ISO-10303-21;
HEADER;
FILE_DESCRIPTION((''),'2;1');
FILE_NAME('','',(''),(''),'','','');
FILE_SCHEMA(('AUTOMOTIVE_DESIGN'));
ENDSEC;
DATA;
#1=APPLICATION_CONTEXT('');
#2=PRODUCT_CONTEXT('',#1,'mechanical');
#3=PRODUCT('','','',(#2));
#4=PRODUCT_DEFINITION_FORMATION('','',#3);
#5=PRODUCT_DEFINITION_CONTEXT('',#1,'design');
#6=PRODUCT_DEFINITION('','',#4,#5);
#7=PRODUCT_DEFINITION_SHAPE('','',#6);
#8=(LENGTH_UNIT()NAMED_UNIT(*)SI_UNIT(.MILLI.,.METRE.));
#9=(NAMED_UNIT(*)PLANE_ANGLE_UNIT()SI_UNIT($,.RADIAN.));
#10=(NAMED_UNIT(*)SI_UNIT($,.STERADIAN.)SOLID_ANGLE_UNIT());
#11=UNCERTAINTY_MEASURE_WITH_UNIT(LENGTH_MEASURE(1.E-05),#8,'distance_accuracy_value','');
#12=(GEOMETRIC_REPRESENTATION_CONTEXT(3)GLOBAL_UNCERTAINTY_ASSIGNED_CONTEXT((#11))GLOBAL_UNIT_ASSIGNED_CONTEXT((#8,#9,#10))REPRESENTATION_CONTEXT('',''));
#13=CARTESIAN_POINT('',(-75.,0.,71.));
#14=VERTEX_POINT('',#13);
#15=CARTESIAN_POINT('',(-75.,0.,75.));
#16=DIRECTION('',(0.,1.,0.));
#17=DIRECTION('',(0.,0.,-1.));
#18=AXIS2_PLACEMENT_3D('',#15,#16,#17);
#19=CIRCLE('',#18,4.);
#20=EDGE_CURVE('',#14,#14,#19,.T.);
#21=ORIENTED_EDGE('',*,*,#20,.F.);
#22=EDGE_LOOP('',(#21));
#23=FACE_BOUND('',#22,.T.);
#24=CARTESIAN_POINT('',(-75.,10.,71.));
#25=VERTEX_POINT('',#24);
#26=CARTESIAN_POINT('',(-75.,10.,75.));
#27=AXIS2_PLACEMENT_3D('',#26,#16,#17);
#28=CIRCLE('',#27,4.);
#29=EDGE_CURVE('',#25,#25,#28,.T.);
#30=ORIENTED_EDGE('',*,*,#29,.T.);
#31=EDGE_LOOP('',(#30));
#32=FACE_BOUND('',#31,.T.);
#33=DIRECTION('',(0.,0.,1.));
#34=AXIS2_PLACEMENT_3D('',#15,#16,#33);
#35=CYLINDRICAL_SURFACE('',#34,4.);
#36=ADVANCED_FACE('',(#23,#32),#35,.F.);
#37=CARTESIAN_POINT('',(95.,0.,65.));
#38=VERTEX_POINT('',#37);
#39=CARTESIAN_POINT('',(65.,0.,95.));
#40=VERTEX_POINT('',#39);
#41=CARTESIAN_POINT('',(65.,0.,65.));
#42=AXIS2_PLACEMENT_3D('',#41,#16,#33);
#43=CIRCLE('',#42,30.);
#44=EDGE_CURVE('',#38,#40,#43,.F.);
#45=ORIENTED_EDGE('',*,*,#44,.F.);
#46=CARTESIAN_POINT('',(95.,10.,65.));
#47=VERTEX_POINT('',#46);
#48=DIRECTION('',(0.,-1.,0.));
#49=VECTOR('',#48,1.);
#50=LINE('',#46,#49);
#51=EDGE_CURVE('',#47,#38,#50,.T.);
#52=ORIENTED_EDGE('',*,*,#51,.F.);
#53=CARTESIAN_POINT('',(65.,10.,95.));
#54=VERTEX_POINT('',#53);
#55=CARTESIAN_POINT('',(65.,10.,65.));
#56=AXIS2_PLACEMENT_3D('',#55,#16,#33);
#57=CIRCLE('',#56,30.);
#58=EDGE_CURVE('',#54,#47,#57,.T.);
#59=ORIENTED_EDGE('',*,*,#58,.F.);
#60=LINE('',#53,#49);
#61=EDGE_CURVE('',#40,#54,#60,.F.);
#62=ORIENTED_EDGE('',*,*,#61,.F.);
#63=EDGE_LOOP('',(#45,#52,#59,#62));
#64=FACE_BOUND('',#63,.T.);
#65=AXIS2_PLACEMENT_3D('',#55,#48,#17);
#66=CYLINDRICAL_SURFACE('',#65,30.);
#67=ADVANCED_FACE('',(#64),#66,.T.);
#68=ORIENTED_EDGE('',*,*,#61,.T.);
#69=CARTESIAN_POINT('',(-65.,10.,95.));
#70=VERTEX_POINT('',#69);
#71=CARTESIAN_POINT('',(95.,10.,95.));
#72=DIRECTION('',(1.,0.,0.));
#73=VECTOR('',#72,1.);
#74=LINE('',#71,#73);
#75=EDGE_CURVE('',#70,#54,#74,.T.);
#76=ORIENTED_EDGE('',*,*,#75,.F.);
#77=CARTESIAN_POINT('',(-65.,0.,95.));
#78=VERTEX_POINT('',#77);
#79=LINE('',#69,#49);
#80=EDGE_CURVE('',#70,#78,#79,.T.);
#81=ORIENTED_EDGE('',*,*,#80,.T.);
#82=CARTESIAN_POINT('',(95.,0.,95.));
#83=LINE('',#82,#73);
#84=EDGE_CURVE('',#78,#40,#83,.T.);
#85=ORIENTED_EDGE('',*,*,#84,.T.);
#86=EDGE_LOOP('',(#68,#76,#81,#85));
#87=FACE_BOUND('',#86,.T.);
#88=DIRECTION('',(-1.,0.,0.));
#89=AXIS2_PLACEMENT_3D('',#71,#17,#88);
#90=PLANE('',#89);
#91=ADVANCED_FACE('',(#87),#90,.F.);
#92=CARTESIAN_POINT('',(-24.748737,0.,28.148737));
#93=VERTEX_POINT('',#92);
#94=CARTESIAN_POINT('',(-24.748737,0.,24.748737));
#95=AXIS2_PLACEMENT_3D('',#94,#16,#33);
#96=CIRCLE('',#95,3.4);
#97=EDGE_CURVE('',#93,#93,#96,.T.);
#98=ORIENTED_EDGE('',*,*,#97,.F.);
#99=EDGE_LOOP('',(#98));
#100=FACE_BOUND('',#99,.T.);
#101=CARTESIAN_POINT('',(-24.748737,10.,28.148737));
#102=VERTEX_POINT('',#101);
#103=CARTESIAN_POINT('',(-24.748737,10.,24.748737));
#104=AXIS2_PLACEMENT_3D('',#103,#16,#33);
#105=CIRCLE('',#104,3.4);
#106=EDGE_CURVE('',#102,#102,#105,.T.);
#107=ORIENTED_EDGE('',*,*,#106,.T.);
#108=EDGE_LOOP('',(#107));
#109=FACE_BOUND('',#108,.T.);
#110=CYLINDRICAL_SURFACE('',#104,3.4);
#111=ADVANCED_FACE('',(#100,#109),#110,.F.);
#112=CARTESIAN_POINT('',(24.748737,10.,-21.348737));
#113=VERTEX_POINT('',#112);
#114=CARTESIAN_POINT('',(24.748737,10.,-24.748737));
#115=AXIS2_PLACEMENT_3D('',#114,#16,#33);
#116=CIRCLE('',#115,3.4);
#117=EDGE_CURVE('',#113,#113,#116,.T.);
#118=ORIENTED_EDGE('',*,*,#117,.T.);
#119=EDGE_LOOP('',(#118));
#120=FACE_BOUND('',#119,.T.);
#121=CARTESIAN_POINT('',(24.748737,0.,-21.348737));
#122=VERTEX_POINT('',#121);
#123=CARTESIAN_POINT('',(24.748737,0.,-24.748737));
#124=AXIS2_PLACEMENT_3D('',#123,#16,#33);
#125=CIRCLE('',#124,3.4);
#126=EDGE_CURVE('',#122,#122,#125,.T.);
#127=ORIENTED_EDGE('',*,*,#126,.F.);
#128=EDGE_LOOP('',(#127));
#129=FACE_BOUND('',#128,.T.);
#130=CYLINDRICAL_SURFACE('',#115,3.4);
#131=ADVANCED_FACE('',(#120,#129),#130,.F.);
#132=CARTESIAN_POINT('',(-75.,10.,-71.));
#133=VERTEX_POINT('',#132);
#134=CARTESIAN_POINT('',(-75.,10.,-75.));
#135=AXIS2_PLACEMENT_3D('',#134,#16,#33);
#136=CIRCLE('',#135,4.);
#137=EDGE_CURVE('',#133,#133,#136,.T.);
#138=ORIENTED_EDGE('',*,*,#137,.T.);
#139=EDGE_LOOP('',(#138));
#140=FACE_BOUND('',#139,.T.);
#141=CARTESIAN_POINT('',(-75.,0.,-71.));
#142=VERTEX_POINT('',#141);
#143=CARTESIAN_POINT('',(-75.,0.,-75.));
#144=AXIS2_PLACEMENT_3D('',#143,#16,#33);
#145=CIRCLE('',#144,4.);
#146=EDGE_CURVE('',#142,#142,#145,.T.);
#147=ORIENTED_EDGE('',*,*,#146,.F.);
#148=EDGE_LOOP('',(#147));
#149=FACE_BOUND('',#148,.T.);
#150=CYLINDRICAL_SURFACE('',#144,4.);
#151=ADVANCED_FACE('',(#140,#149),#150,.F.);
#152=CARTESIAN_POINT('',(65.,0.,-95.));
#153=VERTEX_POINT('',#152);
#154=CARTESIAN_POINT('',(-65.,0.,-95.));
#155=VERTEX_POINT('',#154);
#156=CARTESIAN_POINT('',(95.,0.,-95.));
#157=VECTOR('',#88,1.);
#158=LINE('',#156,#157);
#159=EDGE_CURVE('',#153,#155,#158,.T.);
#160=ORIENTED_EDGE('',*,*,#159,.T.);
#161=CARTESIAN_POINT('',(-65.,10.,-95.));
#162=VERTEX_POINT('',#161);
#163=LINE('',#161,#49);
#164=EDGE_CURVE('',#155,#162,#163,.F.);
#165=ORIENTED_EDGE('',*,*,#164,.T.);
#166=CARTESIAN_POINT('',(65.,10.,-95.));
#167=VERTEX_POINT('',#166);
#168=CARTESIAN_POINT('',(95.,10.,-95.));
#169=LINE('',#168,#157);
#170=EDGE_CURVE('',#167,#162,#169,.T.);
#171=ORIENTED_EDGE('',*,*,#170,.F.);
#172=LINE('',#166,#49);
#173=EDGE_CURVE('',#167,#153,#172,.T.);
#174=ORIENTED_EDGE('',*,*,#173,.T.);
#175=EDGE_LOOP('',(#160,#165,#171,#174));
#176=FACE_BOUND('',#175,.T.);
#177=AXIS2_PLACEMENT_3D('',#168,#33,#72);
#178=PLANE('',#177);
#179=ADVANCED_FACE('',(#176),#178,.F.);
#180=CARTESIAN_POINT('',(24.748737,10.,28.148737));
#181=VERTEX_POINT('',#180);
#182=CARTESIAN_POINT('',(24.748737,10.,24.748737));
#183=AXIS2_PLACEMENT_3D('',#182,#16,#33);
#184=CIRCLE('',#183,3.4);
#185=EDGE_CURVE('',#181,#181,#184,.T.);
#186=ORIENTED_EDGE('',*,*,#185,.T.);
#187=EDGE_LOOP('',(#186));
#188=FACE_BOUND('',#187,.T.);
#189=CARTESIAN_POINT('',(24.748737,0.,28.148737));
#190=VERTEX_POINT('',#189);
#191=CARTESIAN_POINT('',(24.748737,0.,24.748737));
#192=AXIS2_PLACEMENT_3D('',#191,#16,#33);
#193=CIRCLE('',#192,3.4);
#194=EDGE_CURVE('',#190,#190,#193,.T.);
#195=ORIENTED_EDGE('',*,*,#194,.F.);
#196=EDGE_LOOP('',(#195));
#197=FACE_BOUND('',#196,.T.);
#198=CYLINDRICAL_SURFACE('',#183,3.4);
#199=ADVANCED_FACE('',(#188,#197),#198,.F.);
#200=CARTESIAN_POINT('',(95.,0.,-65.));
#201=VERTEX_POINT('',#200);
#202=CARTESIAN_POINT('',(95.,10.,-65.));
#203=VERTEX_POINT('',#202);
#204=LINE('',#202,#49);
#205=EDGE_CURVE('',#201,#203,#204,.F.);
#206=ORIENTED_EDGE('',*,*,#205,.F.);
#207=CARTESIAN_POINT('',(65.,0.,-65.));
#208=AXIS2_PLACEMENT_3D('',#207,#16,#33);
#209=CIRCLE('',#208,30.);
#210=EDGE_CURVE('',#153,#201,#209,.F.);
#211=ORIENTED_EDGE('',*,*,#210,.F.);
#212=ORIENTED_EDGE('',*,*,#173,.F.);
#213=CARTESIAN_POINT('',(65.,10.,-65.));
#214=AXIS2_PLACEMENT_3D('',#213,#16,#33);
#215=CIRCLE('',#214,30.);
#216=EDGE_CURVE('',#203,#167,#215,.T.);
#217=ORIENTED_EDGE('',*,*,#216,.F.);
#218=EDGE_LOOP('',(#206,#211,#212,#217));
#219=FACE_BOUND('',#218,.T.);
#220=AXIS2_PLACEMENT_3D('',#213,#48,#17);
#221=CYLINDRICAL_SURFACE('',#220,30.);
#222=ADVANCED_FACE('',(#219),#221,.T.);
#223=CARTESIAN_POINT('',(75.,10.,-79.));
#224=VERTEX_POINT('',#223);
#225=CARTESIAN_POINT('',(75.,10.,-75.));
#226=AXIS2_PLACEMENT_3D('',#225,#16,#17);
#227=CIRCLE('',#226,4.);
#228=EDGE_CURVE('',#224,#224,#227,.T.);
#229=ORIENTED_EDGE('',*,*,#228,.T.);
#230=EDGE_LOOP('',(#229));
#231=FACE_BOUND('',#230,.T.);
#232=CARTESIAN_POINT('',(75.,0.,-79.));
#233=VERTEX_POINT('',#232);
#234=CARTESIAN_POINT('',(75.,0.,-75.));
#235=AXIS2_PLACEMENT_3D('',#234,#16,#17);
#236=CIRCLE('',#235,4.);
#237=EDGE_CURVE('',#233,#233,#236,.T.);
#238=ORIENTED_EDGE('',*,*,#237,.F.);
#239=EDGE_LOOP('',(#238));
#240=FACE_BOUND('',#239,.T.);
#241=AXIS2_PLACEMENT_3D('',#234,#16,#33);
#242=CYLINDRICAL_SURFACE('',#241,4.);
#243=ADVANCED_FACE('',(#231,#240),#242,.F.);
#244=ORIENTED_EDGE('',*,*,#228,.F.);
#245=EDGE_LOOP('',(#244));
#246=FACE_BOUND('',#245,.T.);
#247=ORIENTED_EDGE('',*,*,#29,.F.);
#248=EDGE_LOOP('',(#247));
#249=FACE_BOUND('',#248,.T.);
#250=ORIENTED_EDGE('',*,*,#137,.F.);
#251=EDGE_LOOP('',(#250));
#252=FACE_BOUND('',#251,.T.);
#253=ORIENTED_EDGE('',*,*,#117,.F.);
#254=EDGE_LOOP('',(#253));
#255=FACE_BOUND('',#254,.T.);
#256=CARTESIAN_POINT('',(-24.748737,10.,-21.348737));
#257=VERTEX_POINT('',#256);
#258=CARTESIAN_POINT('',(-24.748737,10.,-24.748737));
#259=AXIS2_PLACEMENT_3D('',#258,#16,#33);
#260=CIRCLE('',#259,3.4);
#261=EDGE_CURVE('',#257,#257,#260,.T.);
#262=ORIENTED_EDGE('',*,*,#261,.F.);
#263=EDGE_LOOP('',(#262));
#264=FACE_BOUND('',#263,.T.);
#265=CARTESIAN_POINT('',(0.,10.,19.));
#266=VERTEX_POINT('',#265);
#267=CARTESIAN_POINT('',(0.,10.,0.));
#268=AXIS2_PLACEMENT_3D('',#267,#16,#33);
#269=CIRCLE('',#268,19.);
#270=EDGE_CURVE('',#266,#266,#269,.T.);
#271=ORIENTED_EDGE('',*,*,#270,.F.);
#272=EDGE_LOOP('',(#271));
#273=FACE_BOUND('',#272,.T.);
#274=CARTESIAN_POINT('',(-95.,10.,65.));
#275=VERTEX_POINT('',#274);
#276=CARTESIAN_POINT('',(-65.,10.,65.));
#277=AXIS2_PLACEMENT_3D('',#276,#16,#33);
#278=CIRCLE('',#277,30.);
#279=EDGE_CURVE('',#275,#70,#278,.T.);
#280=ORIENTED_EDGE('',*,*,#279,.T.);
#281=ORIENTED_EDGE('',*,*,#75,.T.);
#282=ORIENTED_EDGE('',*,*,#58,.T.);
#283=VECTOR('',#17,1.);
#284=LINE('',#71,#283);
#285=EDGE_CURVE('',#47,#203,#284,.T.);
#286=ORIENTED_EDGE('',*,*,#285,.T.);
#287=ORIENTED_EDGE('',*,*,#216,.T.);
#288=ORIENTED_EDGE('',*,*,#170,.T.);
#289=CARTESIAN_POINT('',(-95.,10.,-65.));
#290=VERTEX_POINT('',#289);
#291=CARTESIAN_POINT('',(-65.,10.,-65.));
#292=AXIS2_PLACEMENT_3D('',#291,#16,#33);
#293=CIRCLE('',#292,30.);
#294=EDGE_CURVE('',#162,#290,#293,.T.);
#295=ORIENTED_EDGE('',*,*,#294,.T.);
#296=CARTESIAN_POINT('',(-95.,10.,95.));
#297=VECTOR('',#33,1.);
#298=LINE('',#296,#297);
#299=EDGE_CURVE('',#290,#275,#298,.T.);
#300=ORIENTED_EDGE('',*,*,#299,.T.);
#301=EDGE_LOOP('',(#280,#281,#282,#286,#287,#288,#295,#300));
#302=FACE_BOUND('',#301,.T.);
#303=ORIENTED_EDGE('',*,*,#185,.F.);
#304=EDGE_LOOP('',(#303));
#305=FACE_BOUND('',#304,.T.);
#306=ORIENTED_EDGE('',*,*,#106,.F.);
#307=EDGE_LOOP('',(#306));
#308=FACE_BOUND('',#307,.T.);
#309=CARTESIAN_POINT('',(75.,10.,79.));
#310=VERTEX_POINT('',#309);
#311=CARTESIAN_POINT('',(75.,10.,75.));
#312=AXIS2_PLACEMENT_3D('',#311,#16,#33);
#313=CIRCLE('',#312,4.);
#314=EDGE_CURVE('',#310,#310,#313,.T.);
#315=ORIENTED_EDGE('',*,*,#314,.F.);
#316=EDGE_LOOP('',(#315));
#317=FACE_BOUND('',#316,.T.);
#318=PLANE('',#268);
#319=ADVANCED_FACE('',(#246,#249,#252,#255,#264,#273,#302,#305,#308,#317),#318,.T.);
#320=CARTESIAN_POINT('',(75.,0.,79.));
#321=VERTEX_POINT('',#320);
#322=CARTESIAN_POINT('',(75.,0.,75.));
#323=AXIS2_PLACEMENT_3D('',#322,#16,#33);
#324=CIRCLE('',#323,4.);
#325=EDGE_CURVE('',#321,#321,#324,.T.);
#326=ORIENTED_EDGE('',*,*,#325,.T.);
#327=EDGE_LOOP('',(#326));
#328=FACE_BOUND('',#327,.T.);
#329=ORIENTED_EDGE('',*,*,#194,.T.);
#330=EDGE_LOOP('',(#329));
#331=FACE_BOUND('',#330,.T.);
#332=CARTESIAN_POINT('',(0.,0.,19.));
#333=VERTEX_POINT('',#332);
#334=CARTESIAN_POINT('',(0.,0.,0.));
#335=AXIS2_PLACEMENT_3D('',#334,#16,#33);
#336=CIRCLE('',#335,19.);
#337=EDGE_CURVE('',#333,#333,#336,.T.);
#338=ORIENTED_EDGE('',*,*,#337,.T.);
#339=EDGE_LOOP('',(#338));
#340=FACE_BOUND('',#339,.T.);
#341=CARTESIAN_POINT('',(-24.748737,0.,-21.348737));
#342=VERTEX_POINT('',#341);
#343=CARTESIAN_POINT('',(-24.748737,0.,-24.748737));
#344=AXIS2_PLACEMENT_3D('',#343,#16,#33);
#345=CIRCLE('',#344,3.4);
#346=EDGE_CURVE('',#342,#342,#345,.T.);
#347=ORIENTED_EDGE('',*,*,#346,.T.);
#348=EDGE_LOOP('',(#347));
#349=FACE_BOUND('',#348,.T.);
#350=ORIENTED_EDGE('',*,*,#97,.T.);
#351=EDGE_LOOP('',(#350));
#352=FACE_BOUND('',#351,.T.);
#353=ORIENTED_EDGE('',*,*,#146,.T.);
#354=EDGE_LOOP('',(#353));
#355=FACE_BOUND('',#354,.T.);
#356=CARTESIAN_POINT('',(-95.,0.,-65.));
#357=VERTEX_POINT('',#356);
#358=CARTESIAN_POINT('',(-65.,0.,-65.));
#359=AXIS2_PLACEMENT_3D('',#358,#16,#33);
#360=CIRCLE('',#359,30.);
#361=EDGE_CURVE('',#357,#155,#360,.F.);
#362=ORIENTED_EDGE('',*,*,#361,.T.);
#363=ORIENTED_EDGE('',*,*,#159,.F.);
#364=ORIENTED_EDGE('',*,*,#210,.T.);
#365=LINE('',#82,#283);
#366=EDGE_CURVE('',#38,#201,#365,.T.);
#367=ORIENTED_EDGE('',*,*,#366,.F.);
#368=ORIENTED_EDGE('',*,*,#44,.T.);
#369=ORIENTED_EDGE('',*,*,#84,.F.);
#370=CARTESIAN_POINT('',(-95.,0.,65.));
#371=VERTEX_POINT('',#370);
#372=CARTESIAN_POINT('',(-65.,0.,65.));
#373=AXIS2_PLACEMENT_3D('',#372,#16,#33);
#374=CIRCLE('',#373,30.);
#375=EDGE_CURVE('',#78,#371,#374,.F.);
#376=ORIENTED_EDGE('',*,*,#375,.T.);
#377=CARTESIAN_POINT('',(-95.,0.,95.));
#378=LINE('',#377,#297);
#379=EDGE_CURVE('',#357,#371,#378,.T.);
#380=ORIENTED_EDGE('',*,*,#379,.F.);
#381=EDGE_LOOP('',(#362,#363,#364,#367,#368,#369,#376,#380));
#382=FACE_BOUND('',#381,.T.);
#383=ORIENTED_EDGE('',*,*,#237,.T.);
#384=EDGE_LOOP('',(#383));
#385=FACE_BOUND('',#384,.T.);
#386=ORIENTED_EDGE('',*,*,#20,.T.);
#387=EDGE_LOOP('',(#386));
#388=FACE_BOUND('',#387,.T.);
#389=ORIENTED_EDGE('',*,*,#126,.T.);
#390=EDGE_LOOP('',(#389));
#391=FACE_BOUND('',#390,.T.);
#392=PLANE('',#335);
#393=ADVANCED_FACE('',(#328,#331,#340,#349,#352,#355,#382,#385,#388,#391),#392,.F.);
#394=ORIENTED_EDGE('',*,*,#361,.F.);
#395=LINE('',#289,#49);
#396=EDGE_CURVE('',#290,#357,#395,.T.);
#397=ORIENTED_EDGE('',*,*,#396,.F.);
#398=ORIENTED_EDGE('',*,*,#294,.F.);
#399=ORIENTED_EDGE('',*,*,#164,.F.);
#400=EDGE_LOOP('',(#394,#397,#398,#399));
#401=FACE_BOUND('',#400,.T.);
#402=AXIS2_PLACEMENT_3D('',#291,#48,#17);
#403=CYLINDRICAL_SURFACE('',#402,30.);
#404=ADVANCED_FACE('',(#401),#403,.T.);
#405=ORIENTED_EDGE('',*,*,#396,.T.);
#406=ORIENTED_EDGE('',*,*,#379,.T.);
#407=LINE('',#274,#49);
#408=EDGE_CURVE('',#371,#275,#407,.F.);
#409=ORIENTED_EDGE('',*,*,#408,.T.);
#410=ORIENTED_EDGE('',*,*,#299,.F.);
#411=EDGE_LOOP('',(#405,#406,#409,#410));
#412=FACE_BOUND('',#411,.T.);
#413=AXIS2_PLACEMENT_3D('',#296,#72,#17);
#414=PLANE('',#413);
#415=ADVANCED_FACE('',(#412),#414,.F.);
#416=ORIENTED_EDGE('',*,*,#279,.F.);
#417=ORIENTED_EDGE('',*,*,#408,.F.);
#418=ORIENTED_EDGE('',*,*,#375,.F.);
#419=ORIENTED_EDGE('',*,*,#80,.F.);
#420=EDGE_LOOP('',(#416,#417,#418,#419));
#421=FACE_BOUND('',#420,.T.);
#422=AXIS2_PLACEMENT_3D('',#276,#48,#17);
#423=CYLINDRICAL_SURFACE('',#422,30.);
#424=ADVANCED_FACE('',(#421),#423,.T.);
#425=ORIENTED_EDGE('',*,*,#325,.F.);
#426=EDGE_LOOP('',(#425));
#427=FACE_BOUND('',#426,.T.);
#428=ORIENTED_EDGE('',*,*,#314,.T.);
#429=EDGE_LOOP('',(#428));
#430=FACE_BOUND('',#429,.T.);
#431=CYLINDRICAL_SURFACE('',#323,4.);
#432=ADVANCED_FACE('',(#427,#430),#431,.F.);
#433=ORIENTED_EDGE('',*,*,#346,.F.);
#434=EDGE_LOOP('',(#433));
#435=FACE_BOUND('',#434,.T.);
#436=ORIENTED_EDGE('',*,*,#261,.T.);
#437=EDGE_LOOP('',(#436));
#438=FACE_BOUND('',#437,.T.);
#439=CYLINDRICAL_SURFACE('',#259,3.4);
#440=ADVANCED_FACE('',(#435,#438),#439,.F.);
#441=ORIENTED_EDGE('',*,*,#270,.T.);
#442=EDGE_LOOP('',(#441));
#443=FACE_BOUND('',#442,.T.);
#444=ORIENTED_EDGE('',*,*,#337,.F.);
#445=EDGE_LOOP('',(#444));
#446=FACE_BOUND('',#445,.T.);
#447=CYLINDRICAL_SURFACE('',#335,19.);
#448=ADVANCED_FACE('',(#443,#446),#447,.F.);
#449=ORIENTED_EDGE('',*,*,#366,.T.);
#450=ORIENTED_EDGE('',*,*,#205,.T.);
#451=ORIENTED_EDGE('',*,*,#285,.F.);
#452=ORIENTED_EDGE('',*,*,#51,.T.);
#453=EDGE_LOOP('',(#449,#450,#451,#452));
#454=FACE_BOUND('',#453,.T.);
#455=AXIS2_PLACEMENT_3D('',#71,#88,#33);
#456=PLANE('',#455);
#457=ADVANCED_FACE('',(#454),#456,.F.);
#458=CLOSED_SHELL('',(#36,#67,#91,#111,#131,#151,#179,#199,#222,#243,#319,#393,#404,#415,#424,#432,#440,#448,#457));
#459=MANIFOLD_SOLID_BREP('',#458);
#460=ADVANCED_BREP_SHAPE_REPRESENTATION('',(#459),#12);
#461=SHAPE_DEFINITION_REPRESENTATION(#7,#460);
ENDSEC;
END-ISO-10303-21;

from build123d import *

# Parameters (mm, degrees)
SKETCH2_W             = 190
SKETCH2_H             = 190
EXTRUDE1_DEPTH        = 10
SKETCH3_R             = 19
SKETCH3_R_2           = 4
EXTRUDE2_DEPTH        = 10
FILLET1_R             = 30
M8_TAPPED_HOLE1_D     = 6.8
M8_TAPPED_HOLE1_DEPTH = 19.75
M8_TAPPED_HOLE1_TIP   = 2.042926105


with BuildPart() as part:
    # Sketch2 → Extrude1 (new body)
    with BuildSketch(Plane(origin=(0, 0, 0), x_dir=(1, 0, 0), z_dir=(0, 1, 0))):
        Rectangle(SKETCH2_W, SKETCH2_H)
    extrude(amount=EXTRUDE1_DEPTH)

    # Sketch3 → Extrude2 (cut)
    with BuildSketch(Plane(origin=(0, 10, 0), x_dir=(1, 0, 0), z_dir=(0, 1, 0))):
        with Locations(Location((0, 0, 0), (0, 0, 270))):
            Circle(SKETCH3_R)
        with Locations(Location((-75, 75, 0), (0, 0, 270))):
            Circle(SKETCH3_R_2)
        with Locations(Location((75, 75, 0), (0, 0, 90))):
            Circle(SKETCH3_R_2)
        with Locations(Location((75, -75, 0), (0, 0, 270))):
            Circle(SKETCH3_R_2)
        with Locations(Location((-75, -75, 0), (0, 0, 90))):
            Circle(SKETCH3_R_2)
    extrude(amount=-EXTRUDE2_DEPTH, mode=Mode.SUBTRACT)

    # Fillet1
    fillet1_edges = [part.edges().sort_by_distance(p)[0] for p in [
        (-95, 5, -95),
        (95, 5, -95),
        (95, 5, 95),
        (-95, 5, 95),
    ]]
    fillet(fillet1_edges, radius=FILLET1_R)

    # M8 Tapped Hole1
    with Locations(Plane(origin=(-24.748737342, 10, -24.748737342), x_dir=(0, 0, 1), z_dir=(0, 1, 0))):
        with Locations((0, 0), (0, 49.497474684), (49.497474684, 0), (49.497474684, 49.497474684)):
            Hole(M8_TAPPED_HOLE1_D / 2, depth=M8_TAPPED_HOLE1_DEPTH)
            with Locations((0, 0, -(M8_TAPPED_HOLE1_DEPTH + M8_TAPPED_HOLE1_TIP / 2))):  # 118° drill point
                Cone(0, M8_TAPPED_HOLE1_D / 2, M8_TAPPED_HOLE1_TIP, mode=Mode.SUBTRACT)


solid = part.part
